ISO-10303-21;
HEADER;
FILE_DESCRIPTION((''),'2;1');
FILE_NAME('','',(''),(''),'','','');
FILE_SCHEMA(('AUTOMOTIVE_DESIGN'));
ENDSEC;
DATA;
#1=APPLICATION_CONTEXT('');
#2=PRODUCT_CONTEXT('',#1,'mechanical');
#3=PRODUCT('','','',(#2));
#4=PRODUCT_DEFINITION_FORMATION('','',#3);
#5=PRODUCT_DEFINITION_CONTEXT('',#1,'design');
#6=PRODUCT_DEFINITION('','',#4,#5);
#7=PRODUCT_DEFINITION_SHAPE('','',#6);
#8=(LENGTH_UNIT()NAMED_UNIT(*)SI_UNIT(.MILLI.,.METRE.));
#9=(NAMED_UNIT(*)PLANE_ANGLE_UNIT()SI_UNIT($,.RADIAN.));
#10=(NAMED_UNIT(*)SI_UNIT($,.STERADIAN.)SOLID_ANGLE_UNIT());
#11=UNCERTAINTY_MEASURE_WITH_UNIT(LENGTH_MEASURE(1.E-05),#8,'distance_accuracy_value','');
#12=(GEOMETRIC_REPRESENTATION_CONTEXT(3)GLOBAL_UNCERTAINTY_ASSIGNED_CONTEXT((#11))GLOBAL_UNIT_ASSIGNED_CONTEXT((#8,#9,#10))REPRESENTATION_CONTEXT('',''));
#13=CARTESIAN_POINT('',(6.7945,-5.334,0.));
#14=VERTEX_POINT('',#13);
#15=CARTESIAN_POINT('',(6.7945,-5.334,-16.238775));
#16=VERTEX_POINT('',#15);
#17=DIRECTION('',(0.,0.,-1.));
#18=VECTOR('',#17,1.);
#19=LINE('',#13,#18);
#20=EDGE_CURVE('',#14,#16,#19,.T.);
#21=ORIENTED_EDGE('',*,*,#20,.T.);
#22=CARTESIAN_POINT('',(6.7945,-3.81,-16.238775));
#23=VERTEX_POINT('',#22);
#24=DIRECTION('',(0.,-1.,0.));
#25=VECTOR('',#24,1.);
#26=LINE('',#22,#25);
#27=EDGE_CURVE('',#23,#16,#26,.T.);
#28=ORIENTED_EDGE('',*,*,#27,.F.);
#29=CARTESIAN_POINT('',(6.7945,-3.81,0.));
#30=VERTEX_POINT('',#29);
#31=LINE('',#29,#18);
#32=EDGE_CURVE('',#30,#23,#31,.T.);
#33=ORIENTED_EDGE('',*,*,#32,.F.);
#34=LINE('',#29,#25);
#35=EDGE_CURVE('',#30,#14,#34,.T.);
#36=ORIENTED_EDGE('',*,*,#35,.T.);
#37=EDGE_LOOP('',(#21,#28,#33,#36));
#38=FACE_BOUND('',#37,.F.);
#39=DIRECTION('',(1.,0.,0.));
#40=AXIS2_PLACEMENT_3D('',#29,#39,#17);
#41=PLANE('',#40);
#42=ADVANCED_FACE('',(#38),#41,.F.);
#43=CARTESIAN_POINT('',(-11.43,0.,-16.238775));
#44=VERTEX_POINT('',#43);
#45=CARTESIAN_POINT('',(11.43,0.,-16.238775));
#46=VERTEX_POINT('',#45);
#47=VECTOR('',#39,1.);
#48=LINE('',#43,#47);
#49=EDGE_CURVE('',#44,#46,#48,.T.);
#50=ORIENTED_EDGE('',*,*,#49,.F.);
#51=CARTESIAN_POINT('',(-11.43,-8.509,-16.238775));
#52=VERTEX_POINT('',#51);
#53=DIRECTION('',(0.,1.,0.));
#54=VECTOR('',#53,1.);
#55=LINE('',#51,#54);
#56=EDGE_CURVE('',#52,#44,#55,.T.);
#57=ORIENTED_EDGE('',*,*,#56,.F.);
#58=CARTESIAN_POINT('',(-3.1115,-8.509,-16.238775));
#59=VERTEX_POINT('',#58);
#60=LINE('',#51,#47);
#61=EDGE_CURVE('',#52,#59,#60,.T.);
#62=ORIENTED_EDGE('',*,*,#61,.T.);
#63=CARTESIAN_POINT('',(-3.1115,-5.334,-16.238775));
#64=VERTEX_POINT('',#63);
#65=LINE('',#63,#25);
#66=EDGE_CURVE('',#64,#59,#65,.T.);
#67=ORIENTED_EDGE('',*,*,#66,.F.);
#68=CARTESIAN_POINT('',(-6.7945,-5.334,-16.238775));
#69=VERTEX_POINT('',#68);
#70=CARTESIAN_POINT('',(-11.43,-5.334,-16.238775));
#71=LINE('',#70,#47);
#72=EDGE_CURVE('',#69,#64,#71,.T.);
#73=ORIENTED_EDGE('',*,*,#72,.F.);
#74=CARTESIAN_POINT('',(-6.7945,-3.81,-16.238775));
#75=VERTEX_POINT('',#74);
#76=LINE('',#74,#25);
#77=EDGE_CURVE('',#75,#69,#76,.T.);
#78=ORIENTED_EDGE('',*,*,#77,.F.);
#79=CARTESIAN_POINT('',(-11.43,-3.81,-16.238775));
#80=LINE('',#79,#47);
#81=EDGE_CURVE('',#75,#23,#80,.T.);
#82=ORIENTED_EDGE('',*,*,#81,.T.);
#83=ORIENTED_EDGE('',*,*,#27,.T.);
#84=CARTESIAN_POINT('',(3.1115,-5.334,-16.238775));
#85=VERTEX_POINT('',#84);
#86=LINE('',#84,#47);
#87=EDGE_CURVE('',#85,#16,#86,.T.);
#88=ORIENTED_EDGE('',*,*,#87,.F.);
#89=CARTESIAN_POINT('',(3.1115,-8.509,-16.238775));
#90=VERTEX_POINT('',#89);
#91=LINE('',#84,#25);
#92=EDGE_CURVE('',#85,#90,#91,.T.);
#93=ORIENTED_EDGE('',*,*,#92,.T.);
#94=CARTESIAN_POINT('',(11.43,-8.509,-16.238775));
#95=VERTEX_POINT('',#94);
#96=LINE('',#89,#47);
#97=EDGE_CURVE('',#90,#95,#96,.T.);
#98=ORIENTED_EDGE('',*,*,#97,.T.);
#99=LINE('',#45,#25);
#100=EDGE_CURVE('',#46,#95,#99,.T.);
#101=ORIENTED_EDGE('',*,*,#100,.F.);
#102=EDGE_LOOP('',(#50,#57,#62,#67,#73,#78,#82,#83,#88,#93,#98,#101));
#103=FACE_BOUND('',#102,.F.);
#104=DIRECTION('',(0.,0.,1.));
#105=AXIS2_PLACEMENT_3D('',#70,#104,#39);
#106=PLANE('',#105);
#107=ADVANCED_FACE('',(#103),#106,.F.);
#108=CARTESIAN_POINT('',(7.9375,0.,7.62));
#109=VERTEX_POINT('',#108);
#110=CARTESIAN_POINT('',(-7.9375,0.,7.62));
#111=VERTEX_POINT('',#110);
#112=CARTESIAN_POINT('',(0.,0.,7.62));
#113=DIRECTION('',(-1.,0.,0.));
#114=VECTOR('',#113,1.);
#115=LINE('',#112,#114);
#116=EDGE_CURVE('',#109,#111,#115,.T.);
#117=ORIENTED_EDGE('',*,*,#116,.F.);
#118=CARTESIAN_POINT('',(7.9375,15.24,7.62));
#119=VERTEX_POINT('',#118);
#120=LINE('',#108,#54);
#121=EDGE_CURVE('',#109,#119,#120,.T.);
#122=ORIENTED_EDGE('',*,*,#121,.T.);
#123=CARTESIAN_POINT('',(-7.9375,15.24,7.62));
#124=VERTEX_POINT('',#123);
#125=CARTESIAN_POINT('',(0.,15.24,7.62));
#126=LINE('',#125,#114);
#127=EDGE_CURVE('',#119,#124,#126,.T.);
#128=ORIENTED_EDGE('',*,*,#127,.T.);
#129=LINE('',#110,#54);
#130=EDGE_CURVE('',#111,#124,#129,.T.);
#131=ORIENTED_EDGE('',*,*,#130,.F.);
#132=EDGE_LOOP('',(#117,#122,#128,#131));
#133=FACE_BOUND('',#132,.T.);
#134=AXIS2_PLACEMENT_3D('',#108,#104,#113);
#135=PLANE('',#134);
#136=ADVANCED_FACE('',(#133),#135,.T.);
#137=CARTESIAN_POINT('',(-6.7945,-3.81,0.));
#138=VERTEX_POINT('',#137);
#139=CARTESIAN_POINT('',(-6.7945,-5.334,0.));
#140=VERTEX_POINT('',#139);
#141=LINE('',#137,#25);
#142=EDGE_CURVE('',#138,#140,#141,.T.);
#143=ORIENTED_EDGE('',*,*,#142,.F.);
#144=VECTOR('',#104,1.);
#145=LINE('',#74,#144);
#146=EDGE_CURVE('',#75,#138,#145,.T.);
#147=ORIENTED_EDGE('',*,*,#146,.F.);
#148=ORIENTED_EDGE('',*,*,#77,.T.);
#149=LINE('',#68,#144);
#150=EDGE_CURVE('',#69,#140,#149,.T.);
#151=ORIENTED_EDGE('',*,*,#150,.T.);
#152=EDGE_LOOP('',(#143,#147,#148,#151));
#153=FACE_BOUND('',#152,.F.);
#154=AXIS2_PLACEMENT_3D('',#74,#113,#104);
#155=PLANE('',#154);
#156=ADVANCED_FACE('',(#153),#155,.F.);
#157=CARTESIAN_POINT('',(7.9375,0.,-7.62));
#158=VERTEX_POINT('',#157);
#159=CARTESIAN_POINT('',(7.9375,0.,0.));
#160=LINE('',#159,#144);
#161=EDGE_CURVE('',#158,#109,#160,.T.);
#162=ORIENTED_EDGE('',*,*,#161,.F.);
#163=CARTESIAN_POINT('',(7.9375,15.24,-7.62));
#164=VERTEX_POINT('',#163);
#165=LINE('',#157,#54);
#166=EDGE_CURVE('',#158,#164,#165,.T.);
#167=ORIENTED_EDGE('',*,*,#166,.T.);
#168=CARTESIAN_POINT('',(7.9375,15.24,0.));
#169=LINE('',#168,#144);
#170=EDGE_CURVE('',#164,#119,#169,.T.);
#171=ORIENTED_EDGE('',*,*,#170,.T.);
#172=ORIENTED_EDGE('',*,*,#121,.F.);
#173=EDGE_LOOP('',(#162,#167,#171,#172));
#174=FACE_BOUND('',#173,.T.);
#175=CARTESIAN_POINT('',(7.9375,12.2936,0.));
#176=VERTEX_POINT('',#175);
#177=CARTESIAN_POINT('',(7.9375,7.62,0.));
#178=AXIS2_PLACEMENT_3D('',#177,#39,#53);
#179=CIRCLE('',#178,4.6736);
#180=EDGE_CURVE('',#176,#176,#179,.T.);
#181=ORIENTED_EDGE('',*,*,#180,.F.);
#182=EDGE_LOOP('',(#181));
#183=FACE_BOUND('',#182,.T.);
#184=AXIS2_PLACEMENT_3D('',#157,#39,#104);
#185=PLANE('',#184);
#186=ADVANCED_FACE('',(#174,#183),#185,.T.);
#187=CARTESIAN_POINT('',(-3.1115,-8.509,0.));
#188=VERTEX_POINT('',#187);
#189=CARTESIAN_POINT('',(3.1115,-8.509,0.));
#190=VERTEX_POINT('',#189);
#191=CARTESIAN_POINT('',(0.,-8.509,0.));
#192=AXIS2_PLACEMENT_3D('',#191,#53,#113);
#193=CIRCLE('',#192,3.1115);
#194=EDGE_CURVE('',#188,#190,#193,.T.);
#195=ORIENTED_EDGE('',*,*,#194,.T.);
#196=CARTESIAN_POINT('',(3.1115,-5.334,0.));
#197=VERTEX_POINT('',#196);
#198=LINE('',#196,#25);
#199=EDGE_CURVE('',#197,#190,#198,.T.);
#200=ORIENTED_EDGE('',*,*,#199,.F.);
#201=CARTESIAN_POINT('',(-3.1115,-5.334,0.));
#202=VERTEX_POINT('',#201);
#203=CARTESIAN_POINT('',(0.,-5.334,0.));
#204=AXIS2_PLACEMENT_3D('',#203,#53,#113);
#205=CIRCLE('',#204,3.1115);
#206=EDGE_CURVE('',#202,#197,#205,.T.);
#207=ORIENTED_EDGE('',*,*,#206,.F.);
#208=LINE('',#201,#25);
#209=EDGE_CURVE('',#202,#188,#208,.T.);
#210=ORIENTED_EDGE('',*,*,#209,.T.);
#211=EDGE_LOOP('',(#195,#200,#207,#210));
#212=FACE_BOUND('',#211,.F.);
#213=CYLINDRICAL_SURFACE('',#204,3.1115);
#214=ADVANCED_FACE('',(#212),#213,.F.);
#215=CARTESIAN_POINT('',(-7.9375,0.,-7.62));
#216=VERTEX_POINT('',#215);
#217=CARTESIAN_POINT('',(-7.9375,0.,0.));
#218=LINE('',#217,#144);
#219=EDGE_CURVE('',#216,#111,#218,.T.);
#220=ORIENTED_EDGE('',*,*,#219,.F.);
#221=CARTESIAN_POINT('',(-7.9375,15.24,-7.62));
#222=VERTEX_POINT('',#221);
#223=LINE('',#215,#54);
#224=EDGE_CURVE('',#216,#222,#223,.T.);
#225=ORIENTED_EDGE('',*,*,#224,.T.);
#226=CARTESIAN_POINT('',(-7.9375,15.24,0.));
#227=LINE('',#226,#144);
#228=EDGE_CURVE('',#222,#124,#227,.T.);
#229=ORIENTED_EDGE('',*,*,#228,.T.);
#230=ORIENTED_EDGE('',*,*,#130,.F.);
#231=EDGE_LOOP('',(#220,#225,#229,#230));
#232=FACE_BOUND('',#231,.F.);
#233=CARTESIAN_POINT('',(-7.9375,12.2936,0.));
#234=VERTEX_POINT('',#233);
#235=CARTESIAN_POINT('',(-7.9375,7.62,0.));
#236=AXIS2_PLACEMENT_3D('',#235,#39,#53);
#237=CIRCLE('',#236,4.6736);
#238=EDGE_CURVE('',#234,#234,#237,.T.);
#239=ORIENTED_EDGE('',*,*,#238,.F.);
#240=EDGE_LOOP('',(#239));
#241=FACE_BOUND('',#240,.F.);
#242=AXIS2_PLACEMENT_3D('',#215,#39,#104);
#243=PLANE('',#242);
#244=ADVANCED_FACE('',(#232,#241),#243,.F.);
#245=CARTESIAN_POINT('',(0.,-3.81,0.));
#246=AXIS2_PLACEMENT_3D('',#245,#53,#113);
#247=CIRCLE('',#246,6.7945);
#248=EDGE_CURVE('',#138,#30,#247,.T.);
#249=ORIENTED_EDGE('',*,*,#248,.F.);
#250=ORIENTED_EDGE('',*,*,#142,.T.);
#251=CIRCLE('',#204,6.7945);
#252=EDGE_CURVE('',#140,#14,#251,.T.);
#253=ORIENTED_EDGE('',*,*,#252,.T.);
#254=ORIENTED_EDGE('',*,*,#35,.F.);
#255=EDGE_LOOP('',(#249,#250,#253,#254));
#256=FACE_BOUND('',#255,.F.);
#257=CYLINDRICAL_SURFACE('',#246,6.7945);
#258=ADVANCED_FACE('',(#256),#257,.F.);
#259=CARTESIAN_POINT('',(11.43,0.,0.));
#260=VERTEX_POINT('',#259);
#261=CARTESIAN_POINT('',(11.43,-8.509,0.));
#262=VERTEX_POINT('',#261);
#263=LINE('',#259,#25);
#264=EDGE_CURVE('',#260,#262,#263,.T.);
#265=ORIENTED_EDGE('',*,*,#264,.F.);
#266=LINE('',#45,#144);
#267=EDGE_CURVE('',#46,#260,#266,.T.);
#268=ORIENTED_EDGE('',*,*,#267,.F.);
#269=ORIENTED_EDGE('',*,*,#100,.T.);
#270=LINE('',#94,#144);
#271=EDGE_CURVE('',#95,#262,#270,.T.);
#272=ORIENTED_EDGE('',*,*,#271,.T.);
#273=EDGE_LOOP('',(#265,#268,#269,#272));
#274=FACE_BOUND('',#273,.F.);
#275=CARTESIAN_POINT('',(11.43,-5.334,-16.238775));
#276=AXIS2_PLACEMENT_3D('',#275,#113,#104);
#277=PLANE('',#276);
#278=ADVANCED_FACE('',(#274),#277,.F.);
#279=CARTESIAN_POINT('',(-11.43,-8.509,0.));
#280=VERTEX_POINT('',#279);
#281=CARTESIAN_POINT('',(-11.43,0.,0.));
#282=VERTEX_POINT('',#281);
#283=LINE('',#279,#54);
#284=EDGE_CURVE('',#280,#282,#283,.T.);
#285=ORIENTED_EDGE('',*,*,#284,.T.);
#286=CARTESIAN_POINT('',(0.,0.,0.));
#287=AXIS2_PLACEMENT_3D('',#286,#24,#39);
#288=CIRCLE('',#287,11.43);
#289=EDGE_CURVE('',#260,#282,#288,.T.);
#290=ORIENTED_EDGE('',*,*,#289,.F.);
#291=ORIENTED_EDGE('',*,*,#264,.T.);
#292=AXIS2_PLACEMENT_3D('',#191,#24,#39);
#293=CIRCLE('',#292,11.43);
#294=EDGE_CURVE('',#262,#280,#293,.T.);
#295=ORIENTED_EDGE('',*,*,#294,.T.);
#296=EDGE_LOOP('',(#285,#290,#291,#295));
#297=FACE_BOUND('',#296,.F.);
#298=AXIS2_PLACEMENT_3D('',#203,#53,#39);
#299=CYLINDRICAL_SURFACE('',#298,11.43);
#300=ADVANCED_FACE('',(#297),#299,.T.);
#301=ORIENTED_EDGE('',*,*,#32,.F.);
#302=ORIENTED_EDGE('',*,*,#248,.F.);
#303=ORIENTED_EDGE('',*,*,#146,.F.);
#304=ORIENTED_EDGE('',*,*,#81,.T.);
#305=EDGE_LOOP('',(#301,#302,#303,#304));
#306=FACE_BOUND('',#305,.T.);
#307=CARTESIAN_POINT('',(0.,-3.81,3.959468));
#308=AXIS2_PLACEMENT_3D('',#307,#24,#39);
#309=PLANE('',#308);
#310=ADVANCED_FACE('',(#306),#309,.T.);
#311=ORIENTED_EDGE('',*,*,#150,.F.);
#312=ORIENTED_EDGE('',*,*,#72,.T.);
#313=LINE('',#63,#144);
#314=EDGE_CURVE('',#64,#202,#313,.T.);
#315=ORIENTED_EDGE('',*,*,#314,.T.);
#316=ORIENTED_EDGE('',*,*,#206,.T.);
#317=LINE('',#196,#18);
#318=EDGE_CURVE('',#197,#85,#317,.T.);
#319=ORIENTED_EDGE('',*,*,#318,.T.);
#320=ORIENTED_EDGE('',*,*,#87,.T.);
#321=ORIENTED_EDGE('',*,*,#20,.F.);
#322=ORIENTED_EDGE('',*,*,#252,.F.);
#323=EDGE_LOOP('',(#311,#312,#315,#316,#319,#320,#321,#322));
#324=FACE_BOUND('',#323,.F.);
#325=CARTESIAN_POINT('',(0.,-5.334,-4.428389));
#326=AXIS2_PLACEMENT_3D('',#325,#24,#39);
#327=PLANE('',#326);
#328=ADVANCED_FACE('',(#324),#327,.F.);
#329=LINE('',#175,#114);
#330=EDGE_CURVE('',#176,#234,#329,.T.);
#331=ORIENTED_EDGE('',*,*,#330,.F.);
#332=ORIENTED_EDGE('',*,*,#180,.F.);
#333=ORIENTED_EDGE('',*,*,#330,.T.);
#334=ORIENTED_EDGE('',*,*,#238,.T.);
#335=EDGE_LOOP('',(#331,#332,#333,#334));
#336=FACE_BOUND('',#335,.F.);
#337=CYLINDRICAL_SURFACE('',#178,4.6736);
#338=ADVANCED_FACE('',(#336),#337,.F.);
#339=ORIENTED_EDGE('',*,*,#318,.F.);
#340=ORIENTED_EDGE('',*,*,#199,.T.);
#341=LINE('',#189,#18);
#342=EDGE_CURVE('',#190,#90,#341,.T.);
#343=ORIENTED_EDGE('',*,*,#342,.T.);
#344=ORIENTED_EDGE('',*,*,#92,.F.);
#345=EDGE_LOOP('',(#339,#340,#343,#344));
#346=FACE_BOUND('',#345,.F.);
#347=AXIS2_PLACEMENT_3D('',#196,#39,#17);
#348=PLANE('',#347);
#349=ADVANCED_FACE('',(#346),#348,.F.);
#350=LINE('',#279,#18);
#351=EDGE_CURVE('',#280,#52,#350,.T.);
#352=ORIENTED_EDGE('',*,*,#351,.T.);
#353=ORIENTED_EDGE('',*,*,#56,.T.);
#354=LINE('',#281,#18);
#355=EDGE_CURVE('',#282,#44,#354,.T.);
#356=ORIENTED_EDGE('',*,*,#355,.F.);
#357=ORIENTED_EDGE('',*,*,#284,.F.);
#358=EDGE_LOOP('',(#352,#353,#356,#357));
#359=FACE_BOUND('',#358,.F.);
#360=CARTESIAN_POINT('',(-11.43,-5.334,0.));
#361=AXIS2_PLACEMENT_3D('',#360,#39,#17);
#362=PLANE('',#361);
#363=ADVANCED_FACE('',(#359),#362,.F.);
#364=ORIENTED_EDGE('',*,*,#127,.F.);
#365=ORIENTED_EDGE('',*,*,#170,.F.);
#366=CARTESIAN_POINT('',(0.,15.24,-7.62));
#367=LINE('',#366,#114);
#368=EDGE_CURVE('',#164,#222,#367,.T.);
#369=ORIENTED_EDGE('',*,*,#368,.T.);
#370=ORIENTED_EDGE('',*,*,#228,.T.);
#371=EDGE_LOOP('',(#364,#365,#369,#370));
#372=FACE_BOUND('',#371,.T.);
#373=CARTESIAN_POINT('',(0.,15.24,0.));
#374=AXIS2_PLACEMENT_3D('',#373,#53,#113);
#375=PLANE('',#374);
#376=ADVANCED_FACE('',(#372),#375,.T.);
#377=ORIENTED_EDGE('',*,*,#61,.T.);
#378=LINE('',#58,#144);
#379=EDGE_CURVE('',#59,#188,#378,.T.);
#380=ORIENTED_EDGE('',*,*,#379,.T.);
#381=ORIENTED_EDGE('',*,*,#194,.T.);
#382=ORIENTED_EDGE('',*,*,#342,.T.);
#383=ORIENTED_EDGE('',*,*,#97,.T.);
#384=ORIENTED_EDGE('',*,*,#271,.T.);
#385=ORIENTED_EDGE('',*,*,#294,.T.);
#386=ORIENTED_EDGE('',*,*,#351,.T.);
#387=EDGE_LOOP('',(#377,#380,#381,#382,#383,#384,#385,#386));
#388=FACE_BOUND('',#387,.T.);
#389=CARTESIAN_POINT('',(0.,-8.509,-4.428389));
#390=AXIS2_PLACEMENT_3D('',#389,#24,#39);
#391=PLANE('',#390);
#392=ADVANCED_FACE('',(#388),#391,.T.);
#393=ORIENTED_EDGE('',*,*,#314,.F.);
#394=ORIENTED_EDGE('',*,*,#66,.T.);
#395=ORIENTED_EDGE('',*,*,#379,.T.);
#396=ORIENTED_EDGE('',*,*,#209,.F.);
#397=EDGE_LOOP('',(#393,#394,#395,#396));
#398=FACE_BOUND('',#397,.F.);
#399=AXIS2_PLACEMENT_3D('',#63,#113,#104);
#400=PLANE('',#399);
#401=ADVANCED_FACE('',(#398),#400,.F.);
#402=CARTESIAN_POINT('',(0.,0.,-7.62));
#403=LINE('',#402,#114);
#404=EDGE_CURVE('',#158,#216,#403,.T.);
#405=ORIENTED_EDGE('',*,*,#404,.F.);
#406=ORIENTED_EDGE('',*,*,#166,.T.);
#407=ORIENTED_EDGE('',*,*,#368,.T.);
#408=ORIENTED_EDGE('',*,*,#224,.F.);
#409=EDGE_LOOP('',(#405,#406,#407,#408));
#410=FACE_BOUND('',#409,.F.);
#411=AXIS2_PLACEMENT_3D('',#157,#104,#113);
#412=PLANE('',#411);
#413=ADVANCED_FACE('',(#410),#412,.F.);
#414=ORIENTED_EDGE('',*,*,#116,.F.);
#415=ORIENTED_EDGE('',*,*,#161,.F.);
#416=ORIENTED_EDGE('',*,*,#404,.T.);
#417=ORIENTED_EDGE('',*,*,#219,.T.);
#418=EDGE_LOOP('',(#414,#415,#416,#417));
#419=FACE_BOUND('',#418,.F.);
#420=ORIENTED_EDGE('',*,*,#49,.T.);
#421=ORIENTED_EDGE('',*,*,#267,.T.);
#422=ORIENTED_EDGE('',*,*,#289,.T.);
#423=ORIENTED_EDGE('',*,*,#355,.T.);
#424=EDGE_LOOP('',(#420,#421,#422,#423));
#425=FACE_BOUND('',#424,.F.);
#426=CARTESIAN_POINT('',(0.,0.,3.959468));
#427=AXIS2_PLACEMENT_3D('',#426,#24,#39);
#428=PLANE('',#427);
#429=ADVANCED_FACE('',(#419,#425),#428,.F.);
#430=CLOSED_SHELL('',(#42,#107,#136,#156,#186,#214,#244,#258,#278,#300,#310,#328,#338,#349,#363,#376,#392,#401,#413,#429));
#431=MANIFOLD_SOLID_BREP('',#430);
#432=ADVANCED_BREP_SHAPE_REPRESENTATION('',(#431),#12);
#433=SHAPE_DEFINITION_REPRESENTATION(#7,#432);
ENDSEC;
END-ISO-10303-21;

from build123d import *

# Parameters (mm, degrees)
F1_DEPTH = 3.81
F3_DEPTH = 1.524
F5_DEPTH = 3.175
F6_W     = 15.875
F6_H     = 15.24
F7_DEPTH = 15.24
F8_R     = 4.6736
F9_DEPTH = 19.3685


with BuildPart() as f1:
    # F0 (on Front) → F1 (new body)
    with BuildSketch(Plane.XZ):
        with BuildLine():
            Line((-11.43, 0), (11.43, 0))
            ThreePointArc((11.43, 0), (0, 11.43), (-11.43, 0))
        make_face()
        with BuildLine():
            Line((11.43, -16.2387751043), (11.43, 0))
            ThreePointArc((11.43, 0), (0, -11.43), (-11.43, 0))
            Line((-11.43, 0), (-11.43, -16.2387751043))
            Line((-11.43, -16.2387751043), (11.43, -16.2387751043))
        make_face()
        with BuildLine():
            ThreePointArc((-11.43, 0), (0, -11.43), (11.43, 0))
            Line((11.43, 0), (-11.43, 0))
        make_face()
    extrude(amount=F1_DEPTH)

    # F2 (on face) → F3 (join)
    with BuildSketch(Plane.XZ.offset(3.81)):
        with BuildLine():
            Line((11.43, -16.2387751043), (11.43, 0))
            ThreePointArc((11.43, 0), (0, 11.43), (-11.43, 0))
            Line((-11.43, 0), (-11.43, -16.2387751043))
            Line((-11.43, -16.2387751043), (-6.7945, -16.2387751043))
            Line((-6.7945, -16.2387751043), (-6.7945, -11.6032751043))
            Line((-6.7945, -11.6032751043), (-6.7945, 0))
            ThreePointArc((-6.7945, 0), (0, 6.7945), (6.7945, 0))
            Line((6.7945, 0), (6.7945, -11.6032751043))
            Line((6.7945, -11.6032751043), (6.7945, -16.2387751043))
            Line((6.7945, -16.2387751043), (11.43, -16.2387751043))
        make_face()
    extrude(amount=F3_DEPTH)

    # F4 (on face) → F5 (join)
    with BuildSketch(Plane.XZ.offset(5.334)):
        with BuildLine():
            Line((-3.1115, -16.2387751043), (-3.1115, 0))
            ThreePointArc((-3.1115, 0), (0, 3.1115), (3.1115, 0))
            Line((3.1115, 0), (3.1115, -16.2387751043))
            Line((3.1115, -16.2387751043), (11.43, -16.2387751043))
            Line((11.43, -16.2387751043), (11.43, 0))
            ThreePointArc((11.43, 0), (0, 11.43), (-11.43, 0))
            Line((-11.43, 0), (-11.43, -16.2387751043))
            Line((-11.43, -16.2387751043), (-3.1115, -16.2387751043))
        make_face()
    extrude(amount=F5_DEPTH)

    # F6 (on face) → F7 (join)
    with BuildSketch(Plane(origin=(0, 0, 0), x_dir=(-1, 0, 0), z_dir=(0, 1, 0))):
        Rectangle(F6_W, F6_H)
    extrude(amount=F7_DEPTH)

    # F8 (on face) → F9 (cut, through all)
    with BuildSketch(Plane.YZ.offset(7.9375)):
        with Locations((7.62, 0)):
            Circle(F8_R)
    extrude(amount=-F9_DEPTH, mode=Mode.SUBTRACT)


solid = f1.part
